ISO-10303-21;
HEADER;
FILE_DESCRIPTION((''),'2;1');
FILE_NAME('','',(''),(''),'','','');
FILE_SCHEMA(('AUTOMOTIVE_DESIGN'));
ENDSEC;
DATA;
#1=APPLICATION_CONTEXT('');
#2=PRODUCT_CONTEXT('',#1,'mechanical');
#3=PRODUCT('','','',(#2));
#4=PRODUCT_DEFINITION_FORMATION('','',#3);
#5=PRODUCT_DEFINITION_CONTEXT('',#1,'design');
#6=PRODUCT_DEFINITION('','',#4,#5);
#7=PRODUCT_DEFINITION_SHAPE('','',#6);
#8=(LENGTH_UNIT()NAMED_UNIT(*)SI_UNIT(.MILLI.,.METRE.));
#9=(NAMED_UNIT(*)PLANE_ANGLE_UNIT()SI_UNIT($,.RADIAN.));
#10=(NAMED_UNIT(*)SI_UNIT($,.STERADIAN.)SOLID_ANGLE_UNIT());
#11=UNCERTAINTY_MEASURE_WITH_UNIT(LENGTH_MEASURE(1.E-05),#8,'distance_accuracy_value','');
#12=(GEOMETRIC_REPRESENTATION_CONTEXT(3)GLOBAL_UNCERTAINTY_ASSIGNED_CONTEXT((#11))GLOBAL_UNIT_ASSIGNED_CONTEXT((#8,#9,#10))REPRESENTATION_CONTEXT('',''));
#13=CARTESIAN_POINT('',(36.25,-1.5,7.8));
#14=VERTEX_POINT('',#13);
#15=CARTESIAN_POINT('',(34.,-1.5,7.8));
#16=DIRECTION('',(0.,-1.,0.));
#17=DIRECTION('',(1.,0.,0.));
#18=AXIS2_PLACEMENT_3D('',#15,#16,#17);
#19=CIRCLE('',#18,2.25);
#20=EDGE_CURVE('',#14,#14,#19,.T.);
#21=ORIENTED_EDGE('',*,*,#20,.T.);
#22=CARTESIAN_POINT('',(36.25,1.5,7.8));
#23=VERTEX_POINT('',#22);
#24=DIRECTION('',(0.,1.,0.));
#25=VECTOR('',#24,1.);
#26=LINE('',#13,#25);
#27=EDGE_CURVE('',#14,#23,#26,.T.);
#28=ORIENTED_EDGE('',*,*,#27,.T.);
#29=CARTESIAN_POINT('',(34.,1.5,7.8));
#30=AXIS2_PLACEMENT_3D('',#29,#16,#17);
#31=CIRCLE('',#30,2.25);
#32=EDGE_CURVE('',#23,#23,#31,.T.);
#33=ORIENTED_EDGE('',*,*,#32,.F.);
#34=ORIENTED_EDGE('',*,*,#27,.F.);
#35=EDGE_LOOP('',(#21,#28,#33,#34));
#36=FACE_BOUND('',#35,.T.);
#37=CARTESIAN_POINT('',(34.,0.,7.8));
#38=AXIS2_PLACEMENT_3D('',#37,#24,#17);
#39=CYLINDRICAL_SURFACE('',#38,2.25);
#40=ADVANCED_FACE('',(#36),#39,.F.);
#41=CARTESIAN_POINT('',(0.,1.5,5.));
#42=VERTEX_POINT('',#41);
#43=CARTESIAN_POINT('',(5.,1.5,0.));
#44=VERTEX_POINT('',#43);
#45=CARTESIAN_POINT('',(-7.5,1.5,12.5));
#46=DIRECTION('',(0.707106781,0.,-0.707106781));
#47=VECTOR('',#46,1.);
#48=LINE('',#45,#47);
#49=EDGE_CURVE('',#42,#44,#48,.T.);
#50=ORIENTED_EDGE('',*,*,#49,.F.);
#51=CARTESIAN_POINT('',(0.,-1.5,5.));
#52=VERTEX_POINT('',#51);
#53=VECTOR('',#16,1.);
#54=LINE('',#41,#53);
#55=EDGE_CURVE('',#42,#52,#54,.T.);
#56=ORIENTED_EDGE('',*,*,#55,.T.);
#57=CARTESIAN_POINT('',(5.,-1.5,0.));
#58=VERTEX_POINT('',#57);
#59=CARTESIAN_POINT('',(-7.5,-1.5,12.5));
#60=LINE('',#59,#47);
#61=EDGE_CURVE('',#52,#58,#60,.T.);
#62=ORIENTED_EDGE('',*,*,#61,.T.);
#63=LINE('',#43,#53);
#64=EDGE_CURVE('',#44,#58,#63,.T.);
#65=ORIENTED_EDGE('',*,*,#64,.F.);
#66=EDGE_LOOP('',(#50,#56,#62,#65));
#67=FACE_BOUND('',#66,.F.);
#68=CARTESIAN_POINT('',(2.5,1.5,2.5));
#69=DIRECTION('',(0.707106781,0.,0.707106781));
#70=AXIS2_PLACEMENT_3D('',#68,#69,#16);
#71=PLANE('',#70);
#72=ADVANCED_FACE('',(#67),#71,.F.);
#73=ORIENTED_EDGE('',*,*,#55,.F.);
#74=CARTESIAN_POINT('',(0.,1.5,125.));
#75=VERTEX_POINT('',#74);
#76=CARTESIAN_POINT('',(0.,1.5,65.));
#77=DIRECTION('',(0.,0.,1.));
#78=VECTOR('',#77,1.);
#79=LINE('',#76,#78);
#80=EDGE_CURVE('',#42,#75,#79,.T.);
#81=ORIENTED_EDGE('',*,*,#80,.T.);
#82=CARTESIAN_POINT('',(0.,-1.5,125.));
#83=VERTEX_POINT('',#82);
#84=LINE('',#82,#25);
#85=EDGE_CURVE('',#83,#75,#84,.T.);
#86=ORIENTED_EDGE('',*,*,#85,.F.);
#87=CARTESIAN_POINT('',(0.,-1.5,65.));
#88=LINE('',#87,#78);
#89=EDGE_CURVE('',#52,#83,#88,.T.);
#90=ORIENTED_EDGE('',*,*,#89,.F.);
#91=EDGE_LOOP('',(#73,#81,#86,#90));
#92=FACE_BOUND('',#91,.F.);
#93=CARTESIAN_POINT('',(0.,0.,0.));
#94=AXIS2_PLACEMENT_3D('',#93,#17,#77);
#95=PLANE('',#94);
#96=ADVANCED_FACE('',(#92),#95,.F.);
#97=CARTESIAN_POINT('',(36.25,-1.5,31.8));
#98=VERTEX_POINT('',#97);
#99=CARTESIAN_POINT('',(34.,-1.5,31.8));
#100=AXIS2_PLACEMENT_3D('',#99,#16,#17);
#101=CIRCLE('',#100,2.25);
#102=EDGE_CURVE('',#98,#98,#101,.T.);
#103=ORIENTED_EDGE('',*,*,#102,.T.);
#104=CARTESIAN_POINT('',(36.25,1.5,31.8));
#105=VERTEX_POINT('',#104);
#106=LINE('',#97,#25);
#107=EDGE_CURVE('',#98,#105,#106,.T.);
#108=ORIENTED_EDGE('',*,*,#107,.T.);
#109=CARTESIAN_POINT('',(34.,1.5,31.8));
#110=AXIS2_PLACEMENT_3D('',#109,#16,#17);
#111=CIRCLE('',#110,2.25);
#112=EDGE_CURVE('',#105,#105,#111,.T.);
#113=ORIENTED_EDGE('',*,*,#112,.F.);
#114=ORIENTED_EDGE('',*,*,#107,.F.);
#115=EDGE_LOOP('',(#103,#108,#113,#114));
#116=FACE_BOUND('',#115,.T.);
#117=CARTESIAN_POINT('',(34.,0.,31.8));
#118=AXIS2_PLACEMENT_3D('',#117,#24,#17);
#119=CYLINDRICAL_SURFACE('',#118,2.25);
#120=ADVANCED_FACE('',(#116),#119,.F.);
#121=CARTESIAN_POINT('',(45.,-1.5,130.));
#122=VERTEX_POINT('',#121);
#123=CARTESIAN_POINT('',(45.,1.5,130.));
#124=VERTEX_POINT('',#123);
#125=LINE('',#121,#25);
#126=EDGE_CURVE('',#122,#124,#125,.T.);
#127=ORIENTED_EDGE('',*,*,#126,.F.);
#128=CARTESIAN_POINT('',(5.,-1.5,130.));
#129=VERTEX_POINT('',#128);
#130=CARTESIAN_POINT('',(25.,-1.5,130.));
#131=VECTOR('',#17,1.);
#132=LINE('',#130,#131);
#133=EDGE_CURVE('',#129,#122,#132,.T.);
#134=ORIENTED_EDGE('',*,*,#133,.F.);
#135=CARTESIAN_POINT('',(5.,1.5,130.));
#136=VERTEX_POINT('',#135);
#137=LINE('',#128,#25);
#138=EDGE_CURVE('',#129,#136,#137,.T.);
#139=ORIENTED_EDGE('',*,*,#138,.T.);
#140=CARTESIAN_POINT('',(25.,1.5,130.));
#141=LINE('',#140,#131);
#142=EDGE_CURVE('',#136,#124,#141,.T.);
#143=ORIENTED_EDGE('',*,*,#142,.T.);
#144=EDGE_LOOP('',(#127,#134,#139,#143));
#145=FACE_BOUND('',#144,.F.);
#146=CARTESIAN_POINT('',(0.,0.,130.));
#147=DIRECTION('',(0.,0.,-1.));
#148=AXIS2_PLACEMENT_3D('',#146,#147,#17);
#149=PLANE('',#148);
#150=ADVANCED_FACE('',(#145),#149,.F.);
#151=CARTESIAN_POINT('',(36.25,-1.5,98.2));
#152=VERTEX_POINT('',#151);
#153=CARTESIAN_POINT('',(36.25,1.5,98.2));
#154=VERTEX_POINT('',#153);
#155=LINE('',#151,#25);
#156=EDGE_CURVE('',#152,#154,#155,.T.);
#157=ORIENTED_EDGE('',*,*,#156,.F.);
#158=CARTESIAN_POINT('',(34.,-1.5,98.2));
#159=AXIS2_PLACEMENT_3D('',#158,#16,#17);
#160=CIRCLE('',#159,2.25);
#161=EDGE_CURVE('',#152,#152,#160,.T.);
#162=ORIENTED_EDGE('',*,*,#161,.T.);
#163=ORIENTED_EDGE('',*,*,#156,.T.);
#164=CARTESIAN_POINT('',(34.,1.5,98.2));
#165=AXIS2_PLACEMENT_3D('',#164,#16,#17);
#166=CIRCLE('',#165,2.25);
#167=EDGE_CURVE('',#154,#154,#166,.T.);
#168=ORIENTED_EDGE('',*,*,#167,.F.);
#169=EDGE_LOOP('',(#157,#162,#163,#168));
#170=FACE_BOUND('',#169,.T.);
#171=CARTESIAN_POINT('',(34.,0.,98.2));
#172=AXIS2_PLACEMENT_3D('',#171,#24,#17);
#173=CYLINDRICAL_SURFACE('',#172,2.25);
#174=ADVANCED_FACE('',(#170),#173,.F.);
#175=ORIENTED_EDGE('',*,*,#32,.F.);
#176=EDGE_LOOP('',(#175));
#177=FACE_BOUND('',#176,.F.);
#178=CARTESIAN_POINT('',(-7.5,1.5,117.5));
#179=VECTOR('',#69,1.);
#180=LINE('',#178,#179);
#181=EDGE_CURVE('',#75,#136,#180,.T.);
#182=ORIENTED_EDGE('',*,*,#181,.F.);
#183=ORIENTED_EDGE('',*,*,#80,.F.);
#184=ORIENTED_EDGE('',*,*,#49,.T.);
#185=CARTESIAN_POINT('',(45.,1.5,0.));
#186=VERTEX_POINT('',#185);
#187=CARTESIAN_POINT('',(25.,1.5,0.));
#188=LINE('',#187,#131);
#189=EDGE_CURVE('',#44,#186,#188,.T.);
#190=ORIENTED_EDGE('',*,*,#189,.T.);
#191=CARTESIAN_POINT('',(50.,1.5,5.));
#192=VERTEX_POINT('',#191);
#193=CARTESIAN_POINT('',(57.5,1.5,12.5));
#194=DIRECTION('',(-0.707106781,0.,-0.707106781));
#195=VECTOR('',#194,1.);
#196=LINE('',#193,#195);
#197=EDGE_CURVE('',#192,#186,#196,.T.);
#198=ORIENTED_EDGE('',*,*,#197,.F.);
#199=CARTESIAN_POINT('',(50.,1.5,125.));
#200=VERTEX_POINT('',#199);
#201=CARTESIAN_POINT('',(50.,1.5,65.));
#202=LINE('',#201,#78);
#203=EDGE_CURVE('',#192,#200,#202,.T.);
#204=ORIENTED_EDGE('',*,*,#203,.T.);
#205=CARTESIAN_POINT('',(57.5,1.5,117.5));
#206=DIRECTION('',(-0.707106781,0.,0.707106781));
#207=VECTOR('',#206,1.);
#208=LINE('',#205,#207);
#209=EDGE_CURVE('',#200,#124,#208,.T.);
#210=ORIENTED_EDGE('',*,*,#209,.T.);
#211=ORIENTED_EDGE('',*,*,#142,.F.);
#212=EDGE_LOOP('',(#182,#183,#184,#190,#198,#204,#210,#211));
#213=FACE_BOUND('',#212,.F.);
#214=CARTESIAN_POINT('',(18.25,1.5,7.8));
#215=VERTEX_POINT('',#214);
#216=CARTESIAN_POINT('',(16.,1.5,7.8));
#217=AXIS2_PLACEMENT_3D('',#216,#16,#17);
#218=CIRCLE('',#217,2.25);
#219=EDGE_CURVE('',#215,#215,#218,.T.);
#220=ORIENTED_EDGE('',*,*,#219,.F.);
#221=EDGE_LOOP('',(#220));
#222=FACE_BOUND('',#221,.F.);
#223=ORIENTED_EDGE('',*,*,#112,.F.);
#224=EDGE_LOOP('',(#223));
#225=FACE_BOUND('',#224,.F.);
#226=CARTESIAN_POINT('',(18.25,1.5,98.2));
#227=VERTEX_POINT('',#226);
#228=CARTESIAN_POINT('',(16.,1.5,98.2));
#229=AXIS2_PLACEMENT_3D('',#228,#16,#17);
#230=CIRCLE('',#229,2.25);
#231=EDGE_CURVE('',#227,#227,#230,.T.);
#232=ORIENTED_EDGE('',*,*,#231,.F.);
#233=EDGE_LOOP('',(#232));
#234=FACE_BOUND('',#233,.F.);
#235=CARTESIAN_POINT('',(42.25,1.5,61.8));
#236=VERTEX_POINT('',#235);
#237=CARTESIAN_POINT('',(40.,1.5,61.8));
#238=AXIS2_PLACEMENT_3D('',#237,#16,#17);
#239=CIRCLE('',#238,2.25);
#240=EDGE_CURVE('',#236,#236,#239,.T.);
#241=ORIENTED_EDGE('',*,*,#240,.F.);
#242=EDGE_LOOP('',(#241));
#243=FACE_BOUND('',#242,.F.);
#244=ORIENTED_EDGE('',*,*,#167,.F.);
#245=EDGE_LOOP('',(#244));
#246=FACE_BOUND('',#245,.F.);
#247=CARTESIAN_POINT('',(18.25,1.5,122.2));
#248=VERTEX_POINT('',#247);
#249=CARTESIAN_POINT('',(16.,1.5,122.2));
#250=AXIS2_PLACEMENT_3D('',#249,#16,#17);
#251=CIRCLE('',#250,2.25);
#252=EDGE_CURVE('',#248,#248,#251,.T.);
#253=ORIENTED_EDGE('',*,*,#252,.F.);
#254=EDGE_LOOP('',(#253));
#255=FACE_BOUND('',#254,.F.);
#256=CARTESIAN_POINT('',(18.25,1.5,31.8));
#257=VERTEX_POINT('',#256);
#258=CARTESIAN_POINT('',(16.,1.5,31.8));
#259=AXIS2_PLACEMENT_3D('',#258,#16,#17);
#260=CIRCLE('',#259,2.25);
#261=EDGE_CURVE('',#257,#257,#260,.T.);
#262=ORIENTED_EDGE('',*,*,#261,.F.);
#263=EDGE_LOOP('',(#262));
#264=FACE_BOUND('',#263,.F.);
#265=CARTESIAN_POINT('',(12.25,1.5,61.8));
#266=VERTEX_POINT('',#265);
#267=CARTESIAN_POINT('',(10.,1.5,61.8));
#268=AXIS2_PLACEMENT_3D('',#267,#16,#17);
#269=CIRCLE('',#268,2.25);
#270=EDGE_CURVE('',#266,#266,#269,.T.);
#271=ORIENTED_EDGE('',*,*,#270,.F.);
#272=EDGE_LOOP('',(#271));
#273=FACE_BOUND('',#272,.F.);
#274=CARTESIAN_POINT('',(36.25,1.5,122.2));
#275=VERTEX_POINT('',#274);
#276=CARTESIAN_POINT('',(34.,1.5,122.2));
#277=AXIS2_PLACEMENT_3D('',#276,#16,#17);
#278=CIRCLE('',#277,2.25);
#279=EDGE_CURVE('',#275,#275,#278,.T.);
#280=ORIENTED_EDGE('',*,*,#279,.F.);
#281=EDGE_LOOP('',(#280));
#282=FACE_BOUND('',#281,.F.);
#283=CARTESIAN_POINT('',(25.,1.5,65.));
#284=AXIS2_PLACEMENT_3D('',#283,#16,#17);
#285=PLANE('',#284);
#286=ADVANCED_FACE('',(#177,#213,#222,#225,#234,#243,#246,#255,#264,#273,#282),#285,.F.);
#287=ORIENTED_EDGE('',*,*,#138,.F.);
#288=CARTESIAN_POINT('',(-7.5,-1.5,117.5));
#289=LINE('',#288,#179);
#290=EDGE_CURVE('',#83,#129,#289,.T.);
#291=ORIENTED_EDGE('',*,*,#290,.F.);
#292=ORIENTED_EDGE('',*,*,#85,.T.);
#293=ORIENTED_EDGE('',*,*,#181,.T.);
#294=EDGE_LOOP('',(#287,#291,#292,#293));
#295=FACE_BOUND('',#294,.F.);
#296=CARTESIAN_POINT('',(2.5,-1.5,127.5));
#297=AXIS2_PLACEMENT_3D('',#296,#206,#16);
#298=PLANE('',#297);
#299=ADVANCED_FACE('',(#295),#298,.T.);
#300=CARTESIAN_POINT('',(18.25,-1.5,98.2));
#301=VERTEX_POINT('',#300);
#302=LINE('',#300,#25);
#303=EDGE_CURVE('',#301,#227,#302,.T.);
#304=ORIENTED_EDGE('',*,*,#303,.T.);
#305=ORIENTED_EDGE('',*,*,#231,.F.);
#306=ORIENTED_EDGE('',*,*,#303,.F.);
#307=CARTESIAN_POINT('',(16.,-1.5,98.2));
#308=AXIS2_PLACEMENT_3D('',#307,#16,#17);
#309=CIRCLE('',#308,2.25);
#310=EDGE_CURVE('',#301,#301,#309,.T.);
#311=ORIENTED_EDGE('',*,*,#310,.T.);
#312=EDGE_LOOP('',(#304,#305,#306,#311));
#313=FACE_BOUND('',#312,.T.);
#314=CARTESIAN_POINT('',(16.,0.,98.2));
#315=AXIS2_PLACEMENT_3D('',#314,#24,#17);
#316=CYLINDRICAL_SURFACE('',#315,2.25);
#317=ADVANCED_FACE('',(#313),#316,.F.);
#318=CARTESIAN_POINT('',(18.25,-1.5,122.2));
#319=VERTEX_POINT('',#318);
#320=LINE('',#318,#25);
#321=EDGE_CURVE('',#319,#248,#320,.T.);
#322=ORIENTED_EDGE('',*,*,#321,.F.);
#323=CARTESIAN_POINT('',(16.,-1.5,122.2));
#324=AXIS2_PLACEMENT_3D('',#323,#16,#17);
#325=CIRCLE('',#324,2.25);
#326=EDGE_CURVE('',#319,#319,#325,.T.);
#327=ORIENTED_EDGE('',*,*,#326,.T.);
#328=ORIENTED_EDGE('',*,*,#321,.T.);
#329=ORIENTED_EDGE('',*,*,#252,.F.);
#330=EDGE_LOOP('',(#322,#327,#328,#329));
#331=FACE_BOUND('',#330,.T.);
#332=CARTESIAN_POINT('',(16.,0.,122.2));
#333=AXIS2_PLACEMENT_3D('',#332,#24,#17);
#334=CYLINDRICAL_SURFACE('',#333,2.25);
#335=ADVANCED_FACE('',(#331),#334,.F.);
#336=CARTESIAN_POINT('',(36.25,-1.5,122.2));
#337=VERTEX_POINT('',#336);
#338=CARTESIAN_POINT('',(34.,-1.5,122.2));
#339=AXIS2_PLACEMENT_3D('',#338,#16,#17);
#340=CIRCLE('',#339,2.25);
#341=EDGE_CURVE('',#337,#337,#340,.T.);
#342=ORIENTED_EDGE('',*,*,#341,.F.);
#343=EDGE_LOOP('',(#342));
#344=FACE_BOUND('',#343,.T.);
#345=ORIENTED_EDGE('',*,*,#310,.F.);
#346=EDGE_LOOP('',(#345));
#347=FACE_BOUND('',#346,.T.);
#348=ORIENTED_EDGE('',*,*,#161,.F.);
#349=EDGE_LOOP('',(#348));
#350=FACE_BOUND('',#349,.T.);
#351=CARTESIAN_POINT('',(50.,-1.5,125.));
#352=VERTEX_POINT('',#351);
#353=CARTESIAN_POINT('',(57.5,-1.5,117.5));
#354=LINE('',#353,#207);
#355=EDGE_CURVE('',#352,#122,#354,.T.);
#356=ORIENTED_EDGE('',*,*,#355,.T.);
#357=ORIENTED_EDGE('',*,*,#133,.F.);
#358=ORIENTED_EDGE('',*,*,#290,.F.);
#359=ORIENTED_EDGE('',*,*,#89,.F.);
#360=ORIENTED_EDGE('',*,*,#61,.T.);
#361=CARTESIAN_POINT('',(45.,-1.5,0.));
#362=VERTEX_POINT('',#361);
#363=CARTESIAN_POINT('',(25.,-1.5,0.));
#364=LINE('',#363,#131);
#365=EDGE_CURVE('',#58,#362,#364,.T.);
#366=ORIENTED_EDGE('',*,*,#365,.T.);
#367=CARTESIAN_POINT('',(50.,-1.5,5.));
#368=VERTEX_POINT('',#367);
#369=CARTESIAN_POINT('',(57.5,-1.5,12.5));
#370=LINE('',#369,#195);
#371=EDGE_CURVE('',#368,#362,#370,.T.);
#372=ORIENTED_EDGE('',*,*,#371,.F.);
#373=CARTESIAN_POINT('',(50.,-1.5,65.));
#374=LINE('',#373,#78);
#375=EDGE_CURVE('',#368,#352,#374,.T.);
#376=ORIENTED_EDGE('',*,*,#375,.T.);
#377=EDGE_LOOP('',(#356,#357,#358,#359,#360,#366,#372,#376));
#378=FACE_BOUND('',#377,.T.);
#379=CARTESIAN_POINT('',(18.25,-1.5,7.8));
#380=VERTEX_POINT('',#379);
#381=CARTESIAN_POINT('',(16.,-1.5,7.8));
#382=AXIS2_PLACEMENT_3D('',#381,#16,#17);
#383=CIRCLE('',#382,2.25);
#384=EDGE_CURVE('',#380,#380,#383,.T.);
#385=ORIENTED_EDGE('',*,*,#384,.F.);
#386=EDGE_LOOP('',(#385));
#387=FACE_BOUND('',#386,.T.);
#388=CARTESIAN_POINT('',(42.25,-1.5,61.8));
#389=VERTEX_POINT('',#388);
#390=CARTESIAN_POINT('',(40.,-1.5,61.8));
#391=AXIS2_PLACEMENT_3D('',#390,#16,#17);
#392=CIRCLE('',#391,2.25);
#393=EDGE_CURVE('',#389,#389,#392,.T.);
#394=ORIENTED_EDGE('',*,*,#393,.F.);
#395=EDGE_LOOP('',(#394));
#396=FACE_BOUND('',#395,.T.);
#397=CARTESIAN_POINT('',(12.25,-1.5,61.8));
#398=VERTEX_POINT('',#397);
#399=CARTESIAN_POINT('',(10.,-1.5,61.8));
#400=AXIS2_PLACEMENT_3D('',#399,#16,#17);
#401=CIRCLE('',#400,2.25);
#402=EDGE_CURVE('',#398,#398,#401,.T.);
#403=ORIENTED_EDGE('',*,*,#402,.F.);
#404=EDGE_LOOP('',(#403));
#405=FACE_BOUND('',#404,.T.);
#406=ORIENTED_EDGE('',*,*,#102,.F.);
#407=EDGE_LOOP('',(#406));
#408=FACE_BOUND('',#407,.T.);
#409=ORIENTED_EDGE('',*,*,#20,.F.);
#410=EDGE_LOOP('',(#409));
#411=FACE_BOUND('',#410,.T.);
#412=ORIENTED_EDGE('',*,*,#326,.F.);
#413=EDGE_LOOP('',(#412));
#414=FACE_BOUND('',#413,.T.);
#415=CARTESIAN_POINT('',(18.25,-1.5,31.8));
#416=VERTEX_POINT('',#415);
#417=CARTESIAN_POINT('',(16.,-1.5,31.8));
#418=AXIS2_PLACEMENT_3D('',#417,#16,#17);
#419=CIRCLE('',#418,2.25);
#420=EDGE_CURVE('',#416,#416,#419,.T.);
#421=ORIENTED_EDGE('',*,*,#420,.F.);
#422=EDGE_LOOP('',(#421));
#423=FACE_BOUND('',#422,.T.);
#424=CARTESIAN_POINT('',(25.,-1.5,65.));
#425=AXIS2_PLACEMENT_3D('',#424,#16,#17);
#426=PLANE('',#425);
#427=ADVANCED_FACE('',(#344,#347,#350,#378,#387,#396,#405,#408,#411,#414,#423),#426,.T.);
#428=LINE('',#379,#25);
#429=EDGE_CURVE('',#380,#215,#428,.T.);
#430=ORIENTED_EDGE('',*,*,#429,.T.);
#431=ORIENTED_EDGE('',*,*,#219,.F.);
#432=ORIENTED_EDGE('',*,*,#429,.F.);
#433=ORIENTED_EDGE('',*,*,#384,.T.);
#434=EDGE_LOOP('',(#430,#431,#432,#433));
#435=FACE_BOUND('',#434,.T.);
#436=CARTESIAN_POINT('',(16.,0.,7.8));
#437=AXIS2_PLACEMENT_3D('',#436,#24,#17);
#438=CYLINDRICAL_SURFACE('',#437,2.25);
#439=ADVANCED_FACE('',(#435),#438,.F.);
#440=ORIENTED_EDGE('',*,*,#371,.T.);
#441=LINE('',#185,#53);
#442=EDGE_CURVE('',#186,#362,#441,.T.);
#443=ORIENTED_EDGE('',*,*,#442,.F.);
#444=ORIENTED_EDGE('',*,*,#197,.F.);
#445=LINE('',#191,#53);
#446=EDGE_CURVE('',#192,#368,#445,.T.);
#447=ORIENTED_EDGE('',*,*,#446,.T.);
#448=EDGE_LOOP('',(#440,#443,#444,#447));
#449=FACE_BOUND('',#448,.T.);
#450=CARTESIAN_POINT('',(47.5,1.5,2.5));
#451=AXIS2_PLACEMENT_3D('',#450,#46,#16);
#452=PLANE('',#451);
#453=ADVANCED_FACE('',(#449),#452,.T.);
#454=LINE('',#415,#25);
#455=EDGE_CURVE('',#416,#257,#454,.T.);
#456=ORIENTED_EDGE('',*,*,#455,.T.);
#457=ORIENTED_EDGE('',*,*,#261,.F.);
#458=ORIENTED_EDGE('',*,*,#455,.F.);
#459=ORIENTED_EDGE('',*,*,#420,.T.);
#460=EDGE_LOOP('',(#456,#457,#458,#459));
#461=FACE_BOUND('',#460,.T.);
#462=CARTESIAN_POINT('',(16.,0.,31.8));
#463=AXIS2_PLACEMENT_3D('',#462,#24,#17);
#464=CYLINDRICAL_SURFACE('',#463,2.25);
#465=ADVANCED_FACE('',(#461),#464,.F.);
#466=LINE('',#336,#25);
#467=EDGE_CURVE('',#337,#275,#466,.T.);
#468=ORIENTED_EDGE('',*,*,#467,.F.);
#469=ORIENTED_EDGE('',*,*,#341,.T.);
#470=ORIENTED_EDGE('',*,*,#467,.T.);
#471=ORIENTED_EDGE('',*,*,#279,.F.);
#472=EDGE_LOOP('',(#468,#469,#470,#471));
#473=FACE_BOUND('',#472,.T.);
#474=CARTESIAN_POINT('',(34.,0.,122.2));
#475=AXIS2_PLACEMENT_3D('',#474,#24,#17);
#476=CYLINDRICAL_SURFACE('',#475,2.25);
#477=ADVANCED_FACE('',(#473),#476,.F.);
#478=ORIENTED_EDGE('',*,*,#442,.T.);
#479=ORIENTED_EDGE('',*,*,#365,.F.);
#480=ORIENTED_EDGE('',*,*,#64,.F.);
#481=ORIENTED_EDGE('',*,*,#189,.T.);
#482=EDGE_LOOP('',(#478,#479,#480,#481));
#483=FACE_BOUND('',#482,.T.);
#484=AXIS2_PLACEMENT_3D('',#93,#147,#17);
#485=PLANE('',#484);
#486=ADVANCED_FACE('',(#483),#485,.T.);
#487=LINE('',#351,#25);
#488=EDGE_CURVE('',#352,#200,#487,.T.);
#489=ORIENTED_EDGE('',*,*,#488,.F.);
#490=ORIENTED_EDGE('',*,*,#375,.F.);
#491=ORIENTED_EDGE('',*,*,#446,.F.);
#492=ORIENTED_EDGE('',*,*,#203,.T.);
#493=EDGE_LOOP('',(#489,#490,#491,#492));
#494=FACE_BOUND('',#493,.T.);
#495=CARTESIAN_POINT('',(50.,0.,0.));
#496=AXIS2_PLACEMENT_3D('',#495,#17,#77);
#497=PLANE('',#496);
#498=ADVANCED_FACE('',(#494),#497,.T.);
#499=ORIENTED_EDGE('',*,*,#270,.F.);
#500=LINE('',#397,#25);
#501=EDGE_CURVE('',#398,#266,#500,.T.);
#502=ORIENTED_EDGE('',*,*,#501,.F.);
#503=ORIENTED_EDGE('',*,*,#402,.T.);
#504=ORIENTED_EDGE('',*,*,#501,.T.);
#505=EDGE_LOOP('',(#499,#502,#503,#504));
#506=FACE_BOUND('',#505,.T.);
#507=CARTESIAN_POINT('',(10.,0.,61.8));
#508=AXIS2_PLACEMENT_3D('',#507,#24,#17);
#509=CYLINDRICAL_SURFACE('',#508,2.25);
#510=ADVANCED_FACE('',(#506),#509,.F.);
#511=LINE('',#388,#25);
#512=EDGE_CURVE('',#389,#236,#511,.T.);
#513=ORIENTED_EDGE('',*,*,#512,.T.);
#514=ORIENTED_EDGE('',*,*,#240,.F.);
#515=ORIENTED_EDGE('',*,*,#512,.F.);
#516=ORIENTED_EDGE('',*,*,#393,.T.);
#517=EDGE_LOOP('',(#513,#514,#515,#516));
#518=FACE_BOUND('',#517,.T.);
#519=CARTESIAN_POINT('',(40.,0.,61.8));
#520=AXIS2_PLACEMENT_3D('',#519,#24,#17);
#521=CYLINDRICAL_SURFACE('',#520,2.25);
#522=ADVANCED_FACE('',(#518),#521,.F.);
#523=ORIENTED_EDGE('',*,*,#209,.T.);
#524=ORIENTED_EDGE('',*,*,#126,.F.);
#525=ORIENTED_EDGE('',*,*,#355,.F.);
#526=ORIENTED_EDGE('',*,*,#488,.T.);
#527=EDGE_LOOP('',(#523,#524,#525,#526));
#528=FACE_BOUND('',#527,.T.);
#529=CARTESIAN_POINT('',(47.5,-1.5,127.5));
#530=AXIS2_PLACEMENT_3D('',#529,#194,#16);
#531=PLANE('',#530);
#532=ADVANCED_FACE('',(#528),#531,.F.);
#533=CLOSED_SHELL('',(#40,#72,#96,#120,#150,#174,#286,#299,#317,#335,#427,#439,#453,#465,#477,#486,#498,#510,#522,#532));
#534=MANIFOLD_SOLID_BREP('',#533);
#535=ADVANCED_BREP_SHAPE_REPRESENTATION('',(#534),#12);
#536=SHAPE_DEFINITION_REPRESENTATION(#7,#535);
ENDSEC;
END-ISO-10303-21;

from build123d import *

# Parameters (mm, degrees)
F0_W     = 50
F0_H     = 130
F0_R     = 2.25
F1_DEPTH = 1.5
F2_SIZE  = 5


with BuildPart() as f1:
    # F0 (on Front) → F1 (new body, symmetric)
    with BuildSketch(Plane.XZ):
        with Locations((25, 65)):
            Rectangle(F0_W, F0_H)
        with Locations((16, 7.8)):
            Circle(F0_R, mode=Mode.SUBTRACT)
        with Locations((16, 31.8)):
            Circle(F0_R, mode=Mode.SUBTRACT)
        with Locations((10, 61.8)):
            Circle(F0_R, mode=Mode.SUBTRACT)
        with Locations((34, 7.8)):
            Circle(F0_R, mode=Mode.SUBTRACT)
        with Locations((34, 31.8)):
            Circle(F0_R, mode=Mode.SUBTRACT)
        with Locations((40, 61.8)):
            Circle(F0_R, mode=Mode.SUBTRACT)
        with Locations((16, 98.2)):
            Circle(F0_R, mode=Mode.SUBTRACT)
        with Locations((16, 122.2)):
            Circle(F0_R, mode=Mode.SUBTRACT)
        with Locations((34, 98.2)):
            Circle(F0_R, mode=Mode.SUBTRACT)
        with Locations((34, 122.2)):
            Circle(F0_R, mode=Mode.SUBTRACT)
    extrude(amount=F1_DEPTH, both=True)

    # F2
    f2_edges = [f1.edges().sort_by_distance(p)[0] for p in [
        (0, 0, 0),
        (50, 0, 0),
        (0, 0, 130),
        (50, 0, 130),
    ]]
    chamfer(f2_edges, length=F2_SIZE)


solid = f1.part
